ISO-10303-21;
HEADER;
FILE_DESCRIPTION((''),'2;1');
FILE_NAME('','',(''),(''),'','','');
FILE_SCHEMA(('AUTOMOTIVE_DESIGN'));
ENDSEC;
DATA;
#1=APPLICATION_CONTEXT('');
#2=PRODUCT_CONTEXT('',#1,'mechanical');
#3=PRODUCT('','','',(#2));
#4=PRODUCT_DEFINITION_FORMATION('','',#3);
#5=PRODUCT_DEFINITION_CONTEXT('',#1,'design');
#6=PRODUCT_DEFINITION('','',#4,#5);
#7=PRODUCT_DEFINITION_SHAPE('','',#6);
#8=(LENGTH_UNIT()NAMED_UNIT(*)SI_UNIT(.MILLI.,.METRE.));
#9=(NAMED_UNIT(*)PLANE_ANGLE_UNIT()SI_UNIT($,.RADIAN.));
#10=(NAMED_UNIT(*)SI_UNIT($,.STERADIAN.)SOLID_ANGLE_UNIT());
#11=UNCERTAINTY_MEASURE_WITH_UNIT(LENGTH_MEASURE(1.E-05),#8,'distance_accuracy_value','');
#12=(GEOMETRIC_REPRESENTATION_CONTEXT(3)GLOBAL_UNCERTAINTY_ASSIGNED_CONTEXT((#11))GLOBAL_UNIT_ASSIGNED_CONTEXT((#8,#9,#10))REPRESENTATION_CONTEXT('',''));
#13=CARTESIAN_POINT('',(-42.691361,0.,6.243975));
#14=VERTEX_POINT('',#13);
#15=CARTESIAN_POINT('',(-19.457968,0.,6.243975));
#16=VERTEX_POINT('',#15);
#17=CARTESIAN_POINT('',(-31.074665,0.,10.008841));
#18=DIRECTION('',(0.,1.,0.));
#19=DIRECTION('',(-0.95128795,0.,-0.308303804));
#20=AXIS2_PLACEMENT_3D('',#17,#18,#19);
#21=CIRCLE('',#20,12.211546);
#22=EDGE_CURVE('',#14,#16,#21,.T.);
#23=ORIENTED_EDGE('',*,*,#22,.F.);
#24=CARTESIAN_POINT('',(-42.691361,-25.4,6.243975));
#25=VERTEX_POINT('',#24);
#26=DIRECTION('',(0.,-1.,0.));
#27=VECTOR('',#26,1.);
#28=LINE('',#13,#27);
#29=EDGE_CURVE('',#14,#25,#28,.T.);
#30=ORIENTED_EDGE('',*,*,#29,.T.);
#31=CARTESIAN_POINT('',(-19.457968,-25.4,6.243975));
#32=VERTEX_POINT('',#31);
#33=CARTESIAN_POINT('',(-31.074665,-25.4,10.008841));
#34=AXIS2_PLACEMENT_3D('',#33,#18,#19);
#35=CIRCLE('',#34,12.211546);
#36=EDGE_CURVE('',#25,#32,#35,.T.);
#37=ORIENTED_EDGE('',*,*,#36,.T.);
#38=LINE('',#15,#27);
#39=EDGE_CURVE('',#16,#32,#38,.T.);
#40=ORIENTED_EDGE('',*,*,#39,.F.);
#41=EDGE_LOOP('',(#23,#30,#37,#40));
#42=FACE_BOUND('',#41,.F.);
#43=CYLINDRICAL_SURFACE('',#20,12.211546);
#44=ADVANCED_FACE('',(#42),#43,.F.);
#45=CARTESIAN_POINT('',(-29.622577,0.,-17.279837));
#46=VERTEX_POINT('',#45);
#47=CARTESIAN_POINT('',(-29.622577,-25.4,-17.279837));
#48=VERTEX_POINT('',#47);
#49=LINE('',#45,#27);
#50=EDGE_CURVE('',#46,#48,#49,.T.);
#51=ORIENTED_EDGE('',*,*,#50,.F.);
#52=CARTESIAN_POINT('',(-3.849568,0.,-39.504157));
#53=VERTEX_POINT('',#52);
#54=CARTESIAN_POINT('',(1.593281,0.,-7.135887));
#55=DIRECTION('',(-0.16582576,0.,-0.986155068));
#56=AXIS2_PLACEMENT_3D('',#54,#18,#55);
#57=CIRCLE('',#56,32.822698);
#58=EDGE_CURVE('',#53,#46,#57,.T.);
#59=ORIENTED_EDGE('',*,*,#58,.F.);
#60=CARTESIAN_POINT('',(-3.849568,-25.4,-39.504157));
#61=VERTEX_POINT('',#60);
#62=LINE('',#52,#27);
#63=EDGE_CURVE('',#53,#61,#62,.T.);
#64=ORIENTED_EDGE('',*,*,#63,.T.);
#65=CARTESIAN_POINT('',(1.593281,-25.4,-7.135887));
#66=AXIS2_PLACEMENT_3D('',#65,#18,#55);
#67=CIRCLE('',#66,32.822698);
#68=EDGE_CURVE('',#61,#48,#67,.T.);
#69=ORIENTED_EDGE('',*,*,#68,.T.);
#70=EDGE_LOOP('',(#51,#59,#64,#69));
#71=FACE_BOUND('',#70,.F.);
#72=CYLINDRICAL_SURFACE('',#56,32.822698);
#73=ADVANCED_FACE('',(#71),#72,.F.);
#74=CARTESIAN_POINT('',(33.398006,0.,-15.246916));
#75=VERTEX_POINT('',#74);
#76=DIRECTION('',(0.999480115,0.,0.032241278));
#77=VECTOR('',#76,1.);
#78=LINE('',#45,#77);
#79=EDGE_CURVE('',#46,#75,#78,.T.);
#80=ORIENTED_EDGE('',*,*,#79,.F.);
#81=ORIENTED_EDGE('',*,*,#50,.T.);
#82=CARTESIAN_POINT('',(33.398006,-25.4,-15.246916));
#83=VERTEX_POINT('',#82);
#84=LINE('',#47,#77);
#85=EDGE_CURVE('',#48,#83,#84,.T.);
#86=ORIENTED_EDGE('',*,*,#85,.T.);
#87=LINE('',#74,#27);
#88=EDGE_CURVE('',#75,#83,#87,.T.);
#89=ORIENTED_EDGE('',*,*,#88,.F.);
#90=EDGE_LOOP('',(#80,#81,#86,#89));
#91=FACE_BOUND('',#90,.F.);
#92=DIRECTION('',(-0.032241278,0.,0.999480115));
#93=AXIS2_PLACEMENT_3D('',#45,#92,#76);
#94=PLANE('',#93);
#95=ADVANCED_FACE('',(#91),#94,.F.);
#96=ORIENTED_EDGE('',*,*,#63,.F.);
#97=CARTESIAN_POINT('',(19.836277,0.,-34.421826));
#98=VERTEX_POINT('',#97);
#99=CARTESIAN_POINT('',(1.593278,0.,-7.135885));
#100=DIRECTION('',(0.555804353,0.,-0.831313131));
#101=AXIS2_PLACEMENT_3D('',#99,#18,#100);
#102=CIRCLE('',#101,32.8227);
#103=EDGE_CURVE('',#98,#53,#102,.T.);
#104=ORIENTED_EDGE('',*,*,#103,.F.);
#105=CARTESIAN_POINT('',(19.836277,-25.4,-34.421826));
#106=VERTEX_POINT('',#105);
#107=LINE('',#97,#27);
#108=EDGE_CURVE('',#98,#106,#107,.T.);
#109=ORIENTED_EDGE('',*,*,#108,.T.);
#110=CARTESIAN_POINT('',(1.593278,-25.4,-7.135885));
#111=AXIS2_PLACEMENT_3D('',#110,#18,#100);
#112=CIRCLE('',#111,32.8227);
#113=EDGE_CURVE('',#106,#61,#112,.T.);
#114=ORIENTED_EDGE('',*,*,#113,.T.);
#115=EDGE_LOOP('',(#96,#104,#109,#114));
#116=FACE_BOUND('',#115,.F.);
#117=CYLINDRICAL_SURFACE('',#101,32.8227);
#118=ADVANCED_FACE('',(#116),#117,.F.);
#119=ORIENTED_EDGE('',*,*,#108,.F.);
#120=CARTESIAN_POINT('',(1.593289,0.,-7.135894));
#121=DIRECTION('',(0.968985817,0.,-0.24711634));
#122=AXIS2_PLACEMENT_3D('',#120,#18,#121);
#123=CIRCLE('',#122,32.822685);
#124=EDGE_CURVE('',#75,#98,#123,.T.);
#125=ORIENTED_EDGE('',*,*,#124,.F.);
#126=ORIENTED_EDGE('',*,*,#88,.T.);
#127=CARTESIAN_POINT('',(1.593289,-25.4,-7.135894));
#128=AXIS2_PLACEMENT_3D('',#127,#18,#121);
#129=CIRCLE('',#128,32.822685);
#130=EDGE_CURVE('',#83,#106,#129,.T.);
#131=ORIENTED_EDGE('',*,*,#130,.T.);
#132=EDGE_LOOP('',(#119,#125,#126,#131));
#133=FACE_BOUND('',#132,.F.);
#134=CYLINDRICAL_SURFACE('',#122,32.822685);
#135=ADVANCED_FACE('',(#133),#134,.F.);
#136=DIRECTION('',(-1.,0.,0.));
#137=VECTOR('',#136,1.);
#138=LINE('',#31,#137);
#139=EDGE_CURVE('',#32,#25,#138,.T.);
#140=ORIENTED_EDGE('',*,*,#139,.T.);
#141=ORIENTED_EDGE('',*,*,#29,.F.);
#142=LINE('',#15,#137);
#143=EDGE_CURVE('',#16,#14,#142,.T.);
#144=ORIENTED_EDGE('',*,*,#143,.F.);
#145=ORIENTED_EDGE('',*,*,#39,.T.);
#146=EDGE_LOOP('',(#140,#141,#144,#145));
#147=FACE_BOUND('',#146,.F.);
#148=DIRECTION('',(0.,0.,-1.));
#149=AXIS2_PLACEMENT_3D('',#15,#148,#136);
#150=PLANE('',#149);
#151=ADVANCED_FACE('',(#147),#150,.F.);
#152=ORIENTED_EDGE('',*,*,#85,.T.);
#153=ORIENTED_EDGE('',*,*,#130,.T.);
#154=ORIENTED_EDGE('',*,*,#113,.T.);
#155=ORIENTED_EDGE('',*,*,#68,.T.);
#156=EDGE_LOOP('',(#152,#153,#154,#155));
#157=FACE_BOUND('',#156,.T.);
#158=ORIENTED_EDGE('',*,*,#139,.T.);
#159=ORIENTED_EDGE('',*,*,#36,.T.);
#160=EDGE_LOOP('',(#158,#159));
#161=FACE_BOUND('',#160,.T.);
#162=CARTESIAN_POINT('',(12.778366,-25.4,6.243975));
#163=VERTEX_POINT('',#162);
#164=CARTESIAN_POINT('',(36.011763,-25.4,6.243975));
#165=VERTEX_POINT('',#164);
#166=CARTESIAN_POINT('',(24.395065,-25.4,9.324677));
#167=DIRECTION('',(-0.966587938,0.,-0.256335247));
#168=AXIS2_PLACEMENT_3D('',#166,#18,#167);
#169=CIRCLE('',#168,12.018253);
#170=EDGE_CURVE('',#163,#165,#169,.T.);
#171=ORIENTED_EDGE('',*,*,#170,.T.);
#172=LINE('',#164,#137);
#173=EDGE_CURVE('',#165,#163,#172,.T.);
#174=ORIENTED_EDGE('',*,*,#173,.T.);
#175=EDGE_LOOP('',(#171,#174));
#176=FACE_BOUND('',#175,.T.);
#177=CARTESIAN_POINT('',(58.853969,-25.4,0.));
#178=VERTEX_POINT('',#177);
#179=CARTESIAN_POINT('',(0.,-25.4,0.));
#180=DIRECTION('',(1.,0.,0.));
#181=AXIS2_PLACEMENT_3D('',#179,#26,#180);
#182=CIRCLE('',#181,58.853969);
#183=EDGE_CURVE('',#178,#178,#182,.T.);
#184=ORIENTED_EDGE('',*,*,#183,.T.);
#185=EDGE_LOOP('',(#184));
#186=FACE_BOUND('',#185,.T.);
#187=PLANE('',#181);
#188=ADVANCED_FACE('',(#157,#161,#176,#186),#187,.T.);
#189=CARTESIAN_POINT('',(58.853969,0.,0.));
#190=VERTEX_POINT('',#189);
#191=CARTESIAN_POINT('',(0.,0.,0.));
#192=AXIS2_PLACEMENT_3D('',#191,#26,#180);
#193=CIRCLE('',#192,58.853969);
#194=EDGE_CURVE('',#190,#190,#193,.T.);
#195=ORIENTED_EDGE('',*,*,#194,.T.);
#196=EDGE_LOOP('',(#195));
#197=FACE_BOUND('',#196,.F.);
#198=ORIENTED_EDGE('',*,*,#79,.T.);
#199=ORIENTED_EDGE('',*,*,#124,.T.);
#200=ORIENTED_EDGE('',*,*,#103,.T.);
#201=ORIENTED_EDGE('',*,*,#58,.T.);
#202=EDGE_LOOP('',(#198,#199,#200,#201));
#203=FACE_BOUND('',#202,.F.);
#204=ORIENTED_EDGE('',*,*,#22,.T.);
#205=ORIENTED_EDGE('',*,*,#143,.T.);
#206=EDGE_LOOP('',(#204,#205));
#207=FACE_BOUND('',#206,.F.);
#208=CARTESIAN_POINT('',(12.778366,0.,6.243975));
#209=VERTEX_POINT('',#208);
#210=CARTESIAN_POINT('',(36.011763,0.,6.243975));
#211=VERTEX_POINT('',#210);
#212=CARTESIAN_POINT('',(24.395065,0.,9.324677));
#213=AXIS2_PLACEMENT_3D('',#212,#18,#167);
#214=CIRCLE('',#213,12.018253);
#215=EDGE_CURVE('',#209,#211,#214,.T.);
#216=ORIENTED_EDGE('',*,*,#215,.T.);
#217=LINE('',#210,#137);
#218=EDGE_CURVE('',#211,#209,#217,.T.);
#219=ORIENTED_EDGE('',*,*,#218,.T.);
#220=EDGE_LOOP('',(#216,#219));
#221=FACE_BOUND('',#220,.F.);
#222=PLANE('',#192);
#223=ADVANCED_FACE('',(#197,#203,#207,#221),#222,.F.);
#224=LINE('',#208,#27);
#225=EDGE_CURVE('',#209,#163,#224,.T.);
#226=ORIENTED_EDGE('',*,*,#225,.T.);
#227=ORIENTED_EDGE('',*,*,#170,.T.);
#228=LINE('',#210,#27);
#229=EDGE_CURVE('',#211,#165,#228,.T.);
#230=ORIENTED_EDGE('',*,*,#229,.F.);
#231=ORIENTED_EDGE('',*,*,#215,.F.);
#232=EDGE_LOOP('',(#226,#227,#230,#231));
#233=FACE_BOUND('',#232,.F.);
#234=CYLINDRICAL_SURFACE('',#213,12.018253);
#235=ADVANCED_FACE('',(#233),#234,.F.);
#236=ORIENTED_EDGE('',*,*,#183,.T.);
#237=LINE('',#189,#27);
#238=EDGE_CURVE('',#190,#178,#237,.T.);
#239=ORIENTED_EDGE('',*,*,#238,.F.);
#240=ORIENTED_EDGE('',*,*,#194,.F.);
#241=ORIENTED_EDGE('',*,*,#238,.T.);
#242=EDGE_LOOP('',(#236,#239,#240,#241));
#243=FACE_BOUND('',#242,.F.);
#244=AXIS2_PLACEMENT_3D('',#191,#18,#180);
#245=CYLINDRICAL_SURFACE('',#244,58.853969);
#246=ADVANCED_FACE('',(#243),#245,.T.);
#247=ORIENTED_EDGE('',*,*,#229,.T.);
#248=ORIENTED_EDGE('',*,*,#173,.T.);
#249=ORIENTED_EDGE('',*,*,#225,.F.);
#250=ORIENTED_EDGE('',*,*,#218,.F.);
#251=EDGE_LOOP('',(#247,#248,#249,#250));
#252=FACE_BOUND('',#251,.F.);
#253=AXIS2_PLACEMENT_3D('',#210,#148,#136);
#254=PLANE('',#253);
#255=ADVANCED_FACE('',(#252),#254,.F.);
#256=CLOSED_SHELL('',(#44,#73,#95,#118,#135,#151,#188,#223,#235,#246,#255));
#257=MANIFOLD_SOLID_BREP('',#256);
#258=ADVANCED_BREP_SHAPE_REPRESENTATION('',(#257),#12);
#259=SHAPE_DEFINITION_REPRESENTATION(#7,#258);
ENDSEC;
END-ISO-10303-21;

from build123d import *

# Parameters (mm, degrees)
F0_R     = 58.853969
F1_DEPTH = 25.4


with BuildPart() as f1:
    # F0 (on Front) → F1 (new body)
    with BuildSketch(Plane.XZ):
        Circle(F0_R)
        with BuildLine():
            ThreePointArc((-3.849568, -39.504157), (-19.841394, -31.993164), (-29.622577, -17.279837))
            Line((-29.622577, -17.279837), (33.398006, -15.246916))
            ThreePointArc((33.398006, -15.246916), (28.39091, -26.088894), (19.836277, -34.421826))
            ThreePointArc((19.836277, -34.421826), (8.479387, -39.228113), (-3.849568, -39.504157))
        make_face(mode=Mode.SUBTRACT)
        with BuildLine():
            Line((-19.457968, 6.243975), (-42.691361, 6.243975))
            ThreePointArc((-42.691361, 6.243975), (-31.074665, 22.220387), (-19.457968, 6.243975))
        make_face(mode=Mode.SUBTRACT)
        with BuildLine():
            ThreePointArc((12.778366, 6.243975), (24.395064, 21.34293), (36.011763, 6.243975))
            Line((36.011763, 6.243975), (12.778366, 6.243975))
        make_face(mode=Mode.SUBTRACT)
    extrude(amount=F1_DEPTH)


solid = f1.part
